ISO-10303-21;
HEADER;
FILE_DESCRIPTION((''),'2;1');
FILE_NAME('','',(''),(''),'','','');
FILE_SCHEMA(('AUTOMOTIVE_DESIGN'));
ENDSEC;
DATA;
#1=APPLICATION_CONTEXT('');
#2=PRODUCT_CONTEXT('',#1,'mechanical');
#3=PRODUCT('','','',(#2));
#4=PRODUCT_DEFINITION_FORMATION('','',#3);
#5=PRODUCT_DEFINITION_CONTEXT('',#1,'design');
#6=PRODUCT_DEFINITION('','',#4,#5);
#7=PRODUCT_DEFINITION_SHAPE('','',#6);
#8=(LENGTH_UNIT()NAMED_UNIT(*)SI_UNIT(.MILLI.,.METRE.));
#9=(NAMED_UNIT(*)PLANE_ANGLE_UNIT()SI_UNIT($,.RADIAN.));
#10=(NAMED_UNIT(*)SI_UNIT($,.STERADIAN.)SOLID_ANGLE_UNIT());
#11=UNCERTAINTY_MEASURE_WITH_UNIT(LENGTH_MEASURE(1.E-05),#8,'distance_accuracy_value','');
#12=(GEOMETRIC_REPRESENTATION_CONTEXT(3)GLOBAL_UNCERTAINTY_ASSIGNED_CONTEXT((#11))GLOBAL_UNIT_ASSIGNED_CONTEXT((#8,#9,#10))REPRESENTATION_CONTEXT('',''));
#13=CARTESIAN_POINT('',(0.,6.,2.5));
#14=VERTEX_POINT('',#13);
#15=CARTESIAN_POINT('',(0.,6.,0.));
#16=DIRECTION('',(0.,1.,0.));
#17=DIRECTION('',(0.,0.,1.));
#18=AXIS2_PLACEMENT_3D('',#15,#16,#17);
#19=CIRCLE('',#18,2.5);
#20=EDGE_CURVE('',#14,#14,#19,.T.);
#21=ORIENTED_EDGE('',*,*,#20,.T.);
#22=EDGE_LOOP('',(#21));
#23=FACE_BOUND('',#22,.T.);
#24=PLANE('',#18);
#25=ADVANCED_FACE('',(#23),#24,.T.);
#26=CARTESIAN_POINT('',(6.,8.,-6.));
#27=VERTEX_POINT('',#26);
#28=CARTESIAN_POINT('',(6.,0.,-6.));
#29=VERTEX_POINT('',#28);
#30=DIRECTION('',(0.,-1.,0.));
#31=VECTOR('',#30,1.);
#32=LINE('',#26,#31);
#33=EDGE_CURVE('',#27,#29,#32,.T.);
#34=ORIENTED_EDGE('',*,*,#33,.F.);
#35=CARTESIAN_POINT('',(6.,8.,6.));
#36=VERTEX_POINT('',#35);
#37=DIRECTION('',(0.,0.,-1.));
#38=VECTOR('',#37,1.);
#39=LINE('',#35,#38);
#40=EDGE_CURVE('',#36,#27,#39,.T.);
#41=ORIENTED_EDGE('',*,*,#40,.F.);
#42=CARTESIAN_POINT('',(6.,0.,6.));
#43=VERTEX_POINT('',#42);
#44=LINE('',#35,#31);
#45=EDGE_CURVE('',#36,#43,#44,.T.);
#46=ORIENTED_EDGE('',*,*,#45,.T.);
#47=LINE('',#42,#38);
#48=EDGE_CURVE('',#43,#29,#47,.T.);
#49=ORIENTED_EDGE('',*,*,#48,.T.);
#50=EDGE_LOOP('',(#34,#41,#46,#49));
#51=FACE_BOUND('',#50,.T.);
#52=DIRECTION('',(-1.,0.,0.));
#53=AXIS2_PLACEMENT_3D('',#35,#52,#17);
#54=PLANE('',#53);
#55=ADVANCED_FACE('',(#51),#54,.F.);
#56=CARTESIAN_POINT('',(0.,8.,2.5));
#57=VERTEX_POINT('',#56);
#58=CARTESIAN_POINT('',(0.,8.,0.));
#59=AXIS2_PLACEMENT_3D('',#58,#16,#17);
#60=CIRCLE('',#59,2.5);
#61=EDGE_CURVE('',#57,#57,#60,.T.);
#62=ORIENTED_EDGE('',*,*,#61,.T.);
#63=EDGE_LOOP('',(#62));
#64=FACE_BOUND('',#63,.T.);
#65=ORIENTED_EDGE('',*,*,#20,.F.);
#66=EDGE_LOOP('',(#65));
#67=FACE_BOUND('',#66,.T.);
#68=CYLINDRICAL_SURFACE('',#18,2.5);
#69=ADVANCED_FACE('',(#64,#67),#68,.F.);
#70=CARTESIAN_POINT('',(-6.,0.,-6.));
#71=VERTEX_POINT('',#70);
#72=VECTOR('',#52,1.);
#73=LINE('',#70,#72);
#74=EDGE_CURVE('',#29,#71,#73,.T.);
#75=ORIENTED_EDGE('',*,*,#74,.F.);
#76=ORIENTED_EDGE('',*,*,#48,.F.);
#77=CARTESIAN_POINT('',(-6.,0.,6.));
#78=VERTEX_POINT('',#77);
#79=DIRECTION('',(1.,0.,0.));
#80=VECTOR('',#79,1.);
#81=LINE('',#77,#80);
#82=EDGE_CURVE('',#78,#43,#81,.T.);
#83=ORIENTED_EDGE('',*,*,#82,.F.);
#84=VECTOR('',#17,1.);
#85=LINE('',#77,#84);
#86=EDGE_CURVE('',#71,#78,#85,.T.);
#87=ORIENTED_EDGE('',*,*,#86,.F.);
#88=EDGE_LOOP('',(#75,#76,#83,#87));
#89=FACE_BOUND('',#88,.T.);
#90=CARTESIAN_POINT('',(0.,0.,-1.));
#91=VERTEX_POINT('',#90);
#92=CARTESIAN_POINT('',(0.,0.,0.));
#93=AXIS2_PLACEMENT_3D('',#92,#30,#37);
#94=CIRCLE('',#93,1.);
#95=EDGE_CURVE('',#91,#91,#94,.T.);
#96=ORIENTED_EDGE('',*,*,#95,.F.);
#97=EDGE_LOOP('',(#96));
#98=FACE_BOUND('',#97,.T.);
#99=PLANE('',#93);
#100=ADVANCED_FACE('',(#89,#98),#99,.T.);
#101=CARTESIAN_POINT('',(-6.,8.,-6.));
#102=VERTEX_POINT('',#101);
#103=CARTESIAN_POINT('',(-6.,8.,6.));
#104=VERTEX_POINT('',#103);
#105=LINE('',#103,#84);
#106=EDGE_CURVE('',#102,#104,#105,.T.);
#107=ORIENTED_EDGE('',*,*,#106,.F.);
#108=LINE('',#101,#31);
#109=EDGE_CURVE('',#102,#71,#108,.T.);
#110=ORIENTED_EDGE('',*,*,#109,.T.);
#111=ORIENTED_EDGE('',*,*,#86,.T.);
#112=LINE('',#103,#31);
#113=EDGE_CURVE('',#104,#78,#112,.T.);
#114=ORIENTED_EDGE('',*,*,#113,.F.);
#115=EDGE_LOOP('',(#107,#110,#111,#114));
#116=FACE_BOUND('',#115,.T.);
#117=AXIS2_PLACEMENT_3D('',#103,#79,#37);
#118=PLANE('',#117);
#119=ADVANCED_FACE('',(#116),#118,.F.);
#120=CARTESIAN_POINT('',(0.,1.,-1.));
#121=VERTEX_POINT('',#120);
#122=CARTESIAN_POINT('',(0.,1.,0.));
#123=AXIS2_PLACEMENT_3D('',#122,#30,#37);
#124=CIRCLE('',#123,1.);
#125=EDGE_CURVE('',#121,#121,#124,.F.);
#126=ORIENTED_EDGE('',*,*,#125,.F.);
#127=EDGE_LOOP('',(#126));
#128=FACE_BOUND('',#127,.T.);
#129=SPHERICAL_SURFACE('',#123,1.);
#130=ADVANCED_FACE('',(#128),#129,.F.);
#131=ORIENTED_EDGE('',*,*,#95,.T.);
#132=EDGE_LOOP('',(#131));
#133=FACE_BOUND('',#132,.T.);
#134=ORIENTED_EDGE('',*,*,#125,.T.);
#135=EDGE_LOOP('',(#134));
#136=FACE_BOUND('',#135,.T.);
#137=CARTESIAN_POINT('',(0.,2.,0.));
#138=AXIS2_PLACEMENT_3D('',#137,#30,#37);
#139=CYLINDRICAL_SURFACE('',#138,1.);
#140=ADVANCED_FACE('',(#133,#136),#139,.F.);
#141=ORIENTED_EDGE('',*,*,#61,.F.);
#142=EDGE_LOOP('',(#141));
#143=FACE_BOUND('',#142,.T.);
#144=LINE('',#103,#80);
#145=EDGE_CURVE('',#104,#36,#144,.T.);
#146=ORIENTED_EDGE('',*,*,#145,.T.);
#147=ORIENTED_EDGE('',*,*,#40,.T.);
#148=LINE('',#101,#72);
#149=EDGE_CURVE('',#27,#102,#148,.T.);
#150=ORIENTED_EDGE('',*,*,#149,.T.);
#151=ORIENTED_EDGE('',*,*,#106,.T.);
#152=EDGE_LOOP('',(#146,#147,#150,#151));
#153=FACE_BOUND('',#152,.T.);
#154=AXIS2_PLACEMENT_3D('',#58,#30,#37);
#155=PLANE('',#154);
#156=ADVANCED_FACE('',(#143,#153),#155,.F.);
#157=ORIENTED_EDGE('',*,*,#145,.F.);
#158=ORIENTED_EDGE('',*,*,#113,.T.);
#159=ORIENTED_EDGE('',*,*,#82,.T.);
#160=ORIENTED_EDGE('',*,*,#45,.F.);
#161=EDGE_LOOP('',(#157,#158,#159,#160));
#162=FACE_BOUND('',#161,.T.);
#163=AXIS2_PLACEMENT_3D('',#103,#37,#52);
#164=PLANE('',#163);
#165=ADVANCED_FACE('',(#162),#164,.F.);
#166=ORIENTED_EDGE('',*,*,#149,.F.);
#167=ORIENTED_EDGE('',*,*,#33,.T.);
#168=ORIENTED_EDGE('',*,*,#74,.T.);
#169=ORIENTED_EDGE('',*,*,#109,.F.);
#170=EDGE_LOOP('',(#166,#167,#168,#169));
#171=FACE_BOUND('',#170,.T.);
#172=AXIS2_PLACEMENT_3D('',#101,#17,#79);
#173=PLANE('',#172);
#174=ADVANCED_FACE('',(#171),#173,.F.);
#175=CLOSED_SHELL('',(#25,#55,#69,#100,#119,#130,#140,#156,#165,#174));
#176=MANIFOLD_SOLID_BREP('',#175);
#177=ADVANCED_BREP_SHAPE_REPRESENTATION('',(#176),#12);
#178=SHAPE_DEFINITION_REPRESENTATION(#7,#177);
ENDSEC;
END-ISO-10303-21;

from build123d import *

# Parameters (mm, degrees)
SKETCH1_W           = 12
SKETCH1_H           = 12
BOSS_EXTRUDE1_DEPTH = 8
SKETCH2_R           = 2.5
CUT_EXTRUDE1_DEPTH  = 2
SKETCH3_R           = 1
CUT_EXTRUDE2_DEPTH  = 2
FILLET1_R           = 1


with BuildPart() as part:
    # Sketch1 → Boss-Extrude1 (new body)
    with BuildSketch(Plane(origin=(0, 0, 0), x_dir=(1, 0, 0), z_dir=(0, 1, 0))):
        Rectangle(SKETCH1_W, SKETCH1_H)
    extrude(amount=BOSS_EXTRUDE1_DEPTH)

    # Sketch2 → Cut-Extrude1 (cut)
    with BuildSketch(Plane(origin=(0, 8, 0), x_dir=(1, 0, 0), z_dir=(0, 1, 0))):
        Circle(SKETCH2_R)
    extrude(amount=-CUT_EXTRUDE1_DEPTH, mode=Mode.SUBTRACT)

    # Sketch3 → Cut-Extrude2 (cut)
    with BuildSketch(Plane.XZ):
        Circle(SKETCH3_R)
    extrude(amount=-CUT_EXTRUDE2_DEPTH, mode=Mode.SUBTRACT)

    # Fillet1
    fillet1_edges = [part.edges().sort_by_distance(p)[0] for p in [
        (-1, 2, 0),
    ]]
    fillet(fillet1_edges, radius=FILLET1_R)


solid = part.part
